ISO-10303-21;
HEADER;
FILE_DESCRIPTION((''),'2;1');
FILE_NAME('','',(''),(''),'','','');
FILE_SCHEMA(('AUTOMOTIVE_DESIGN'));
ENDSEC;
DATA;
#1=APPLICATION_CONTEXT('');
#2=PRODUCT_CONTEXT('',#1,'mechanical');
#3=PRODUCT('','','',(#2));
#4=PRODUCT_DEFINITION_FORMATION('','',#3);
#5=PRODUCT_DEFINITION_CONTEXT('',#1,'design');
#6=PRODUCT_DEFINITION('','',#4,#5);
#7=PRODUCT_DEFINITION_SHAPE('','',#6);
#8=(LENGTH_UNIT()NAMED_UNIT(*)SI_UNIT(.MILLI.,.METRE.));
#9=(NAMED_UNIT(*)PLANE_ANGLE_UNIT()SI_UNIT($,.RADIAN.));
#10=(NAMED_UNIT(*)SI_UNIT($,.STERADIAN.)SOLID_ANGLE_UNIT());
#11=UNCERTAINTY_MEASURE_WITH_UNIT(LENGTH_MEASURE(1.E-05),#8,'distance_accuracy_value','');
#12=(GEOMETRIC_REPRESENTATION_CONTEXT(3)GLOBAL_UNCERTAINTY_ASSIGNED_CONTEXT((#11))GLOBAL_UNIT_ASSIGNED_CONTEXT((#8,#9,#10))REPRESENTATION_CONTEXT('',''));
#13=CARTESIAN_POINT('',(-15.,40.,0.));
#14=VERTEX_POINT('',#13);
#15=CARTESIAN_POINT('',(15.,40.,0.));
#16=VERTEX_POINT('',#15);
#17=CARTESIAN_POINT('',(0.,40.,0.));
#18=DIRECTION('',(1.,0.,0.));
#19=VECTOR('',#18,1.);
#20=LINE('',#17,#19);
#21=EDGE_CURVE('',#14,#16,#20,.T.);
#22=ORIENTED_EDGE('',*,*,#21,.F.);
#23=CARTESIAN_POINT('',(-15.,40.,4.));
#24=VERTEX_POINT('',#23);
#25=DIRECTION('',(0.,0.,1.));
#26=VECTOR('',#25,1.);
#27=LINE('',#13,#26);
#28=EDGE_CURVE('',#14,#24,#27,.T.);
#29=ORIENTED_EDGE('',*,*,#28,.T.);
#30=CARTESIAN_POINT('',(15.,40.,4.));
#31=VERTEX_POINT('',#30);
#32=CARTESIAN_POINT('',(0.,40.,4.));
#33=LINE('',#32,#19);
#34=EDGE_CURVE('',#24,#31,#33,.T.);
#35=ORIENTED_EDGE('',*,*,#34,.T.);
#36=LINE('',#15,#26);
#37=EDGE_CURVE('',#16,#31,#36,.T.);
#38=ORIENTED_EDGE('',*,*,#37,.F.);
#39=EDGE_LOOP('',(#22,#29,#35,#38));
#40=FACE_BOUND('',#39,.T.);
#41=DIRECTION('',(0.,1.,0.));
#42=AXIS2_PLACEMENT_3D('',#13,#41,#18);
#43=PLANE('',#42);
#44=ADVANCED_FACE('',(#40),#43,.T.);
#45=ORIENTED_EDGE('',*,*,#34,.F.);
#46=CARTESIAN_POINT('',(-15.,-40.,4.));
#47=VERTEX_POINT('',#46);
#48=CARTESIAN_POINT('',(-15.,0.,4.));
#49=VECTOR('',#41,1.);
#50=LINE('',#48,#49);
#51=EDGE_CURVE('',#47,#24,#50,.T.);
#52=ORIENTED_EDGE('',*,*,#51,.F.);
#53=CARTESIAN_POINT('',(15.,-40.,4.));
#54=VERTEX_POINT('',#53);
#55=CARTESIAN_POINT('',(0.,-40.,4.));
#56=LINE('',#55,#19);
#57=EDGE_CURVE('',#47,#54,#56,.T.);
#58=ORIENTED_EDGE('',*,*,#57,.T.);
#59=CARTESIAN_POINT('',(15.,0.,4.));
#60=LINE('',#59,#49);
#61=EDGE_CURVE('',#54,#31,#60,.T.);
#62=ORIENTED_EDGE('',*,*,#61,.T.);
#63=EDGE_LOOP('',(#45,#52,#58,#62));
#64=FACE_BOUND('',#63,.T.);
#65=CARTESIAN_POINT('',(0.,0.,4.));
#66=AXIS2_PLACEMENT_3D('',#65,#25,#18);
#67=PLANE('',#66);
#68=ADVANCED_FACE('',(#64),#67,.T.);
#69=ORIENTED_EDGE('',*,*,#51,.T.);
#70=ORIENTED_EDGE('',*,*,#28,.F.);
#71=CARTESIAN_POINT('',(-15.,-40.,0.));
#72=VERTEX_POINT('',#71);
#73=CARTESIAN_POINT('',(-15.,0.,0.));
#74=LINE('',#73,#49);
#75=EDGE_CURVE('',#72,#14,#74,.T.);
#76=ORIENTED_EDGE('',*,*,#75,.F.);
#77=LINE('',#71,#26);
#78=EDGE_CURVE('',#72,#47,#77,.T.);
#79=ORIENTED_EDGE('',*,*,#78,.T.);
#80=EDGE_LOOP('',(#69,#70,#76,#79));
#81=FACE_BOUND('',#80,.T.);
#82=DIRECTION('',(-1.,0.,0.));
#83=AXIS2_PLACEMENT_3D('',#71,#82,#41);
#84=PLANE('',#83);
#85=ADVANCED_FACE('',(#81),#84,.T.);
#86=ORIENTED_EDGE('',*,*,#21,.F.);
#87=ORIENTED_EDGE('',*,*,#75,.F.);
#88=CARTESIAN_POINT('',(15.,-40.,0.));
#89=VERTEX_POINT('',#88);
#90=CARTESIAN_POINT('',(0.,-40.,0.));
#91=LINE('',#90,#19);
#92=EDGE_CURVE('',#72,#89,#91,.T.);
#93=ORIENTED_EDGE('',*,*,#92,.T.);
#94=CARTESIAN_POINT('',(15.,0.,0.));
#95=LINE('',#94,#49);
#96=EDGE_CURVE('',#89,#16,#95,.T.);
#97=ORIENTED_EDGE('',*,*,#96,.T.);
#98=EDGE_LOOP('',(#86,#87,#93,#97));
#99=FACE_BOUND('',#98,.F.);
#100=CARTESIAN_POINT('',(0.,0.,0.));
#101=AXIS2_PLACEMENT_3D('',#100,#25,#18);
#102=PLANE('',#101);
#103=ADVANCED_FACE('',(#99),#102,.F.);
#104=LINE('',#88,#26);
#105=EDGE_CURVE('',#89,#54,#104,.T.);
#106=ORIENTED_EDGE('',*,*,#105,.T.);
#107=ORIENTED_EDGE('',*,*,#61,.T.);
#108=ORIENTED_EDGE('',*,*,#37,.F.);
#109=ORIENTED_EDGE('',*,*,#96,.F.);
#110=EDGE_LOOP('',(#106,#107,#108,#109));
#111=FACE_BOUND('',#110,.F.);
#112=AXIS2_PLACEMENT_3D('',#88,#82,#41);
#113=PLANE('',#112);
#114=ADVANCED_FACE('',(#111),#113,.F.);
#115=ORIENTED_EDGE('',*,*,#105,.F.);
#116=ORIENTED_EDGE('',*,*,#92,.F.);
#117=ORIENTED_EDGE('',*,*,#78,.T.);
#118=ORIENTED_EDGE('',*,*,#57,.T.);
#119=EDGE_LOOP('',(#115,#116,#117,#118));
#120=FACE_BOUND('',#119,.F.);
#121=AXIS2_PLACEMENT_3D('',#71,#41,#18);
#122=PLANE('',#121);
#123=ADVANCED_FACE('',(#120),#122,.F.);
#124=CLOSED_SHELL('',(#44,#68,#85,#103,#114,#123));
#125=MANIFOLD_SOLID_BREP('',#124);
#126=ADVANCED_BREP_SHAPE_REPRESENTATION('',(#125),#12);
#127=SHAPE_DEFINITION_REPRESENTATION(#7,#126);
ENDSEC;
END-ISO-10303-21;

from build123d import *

# Parameters (mm, degrees)
SKETCH1_W           = 30
SKETCH1_H           = 80
BOSS_EXTRUDE1_DEPTH = 4


with BuildPart() as part:
    # Sketch1 → Boss-Extrude1 (new body)
    with BuildSketch(Plane.XY):
        Rectangle(SKETCH1_W, SKETCH1_H)
    extrude(amount=BOSS_EXTRUDE1_DEPTH)


solid = part.part
